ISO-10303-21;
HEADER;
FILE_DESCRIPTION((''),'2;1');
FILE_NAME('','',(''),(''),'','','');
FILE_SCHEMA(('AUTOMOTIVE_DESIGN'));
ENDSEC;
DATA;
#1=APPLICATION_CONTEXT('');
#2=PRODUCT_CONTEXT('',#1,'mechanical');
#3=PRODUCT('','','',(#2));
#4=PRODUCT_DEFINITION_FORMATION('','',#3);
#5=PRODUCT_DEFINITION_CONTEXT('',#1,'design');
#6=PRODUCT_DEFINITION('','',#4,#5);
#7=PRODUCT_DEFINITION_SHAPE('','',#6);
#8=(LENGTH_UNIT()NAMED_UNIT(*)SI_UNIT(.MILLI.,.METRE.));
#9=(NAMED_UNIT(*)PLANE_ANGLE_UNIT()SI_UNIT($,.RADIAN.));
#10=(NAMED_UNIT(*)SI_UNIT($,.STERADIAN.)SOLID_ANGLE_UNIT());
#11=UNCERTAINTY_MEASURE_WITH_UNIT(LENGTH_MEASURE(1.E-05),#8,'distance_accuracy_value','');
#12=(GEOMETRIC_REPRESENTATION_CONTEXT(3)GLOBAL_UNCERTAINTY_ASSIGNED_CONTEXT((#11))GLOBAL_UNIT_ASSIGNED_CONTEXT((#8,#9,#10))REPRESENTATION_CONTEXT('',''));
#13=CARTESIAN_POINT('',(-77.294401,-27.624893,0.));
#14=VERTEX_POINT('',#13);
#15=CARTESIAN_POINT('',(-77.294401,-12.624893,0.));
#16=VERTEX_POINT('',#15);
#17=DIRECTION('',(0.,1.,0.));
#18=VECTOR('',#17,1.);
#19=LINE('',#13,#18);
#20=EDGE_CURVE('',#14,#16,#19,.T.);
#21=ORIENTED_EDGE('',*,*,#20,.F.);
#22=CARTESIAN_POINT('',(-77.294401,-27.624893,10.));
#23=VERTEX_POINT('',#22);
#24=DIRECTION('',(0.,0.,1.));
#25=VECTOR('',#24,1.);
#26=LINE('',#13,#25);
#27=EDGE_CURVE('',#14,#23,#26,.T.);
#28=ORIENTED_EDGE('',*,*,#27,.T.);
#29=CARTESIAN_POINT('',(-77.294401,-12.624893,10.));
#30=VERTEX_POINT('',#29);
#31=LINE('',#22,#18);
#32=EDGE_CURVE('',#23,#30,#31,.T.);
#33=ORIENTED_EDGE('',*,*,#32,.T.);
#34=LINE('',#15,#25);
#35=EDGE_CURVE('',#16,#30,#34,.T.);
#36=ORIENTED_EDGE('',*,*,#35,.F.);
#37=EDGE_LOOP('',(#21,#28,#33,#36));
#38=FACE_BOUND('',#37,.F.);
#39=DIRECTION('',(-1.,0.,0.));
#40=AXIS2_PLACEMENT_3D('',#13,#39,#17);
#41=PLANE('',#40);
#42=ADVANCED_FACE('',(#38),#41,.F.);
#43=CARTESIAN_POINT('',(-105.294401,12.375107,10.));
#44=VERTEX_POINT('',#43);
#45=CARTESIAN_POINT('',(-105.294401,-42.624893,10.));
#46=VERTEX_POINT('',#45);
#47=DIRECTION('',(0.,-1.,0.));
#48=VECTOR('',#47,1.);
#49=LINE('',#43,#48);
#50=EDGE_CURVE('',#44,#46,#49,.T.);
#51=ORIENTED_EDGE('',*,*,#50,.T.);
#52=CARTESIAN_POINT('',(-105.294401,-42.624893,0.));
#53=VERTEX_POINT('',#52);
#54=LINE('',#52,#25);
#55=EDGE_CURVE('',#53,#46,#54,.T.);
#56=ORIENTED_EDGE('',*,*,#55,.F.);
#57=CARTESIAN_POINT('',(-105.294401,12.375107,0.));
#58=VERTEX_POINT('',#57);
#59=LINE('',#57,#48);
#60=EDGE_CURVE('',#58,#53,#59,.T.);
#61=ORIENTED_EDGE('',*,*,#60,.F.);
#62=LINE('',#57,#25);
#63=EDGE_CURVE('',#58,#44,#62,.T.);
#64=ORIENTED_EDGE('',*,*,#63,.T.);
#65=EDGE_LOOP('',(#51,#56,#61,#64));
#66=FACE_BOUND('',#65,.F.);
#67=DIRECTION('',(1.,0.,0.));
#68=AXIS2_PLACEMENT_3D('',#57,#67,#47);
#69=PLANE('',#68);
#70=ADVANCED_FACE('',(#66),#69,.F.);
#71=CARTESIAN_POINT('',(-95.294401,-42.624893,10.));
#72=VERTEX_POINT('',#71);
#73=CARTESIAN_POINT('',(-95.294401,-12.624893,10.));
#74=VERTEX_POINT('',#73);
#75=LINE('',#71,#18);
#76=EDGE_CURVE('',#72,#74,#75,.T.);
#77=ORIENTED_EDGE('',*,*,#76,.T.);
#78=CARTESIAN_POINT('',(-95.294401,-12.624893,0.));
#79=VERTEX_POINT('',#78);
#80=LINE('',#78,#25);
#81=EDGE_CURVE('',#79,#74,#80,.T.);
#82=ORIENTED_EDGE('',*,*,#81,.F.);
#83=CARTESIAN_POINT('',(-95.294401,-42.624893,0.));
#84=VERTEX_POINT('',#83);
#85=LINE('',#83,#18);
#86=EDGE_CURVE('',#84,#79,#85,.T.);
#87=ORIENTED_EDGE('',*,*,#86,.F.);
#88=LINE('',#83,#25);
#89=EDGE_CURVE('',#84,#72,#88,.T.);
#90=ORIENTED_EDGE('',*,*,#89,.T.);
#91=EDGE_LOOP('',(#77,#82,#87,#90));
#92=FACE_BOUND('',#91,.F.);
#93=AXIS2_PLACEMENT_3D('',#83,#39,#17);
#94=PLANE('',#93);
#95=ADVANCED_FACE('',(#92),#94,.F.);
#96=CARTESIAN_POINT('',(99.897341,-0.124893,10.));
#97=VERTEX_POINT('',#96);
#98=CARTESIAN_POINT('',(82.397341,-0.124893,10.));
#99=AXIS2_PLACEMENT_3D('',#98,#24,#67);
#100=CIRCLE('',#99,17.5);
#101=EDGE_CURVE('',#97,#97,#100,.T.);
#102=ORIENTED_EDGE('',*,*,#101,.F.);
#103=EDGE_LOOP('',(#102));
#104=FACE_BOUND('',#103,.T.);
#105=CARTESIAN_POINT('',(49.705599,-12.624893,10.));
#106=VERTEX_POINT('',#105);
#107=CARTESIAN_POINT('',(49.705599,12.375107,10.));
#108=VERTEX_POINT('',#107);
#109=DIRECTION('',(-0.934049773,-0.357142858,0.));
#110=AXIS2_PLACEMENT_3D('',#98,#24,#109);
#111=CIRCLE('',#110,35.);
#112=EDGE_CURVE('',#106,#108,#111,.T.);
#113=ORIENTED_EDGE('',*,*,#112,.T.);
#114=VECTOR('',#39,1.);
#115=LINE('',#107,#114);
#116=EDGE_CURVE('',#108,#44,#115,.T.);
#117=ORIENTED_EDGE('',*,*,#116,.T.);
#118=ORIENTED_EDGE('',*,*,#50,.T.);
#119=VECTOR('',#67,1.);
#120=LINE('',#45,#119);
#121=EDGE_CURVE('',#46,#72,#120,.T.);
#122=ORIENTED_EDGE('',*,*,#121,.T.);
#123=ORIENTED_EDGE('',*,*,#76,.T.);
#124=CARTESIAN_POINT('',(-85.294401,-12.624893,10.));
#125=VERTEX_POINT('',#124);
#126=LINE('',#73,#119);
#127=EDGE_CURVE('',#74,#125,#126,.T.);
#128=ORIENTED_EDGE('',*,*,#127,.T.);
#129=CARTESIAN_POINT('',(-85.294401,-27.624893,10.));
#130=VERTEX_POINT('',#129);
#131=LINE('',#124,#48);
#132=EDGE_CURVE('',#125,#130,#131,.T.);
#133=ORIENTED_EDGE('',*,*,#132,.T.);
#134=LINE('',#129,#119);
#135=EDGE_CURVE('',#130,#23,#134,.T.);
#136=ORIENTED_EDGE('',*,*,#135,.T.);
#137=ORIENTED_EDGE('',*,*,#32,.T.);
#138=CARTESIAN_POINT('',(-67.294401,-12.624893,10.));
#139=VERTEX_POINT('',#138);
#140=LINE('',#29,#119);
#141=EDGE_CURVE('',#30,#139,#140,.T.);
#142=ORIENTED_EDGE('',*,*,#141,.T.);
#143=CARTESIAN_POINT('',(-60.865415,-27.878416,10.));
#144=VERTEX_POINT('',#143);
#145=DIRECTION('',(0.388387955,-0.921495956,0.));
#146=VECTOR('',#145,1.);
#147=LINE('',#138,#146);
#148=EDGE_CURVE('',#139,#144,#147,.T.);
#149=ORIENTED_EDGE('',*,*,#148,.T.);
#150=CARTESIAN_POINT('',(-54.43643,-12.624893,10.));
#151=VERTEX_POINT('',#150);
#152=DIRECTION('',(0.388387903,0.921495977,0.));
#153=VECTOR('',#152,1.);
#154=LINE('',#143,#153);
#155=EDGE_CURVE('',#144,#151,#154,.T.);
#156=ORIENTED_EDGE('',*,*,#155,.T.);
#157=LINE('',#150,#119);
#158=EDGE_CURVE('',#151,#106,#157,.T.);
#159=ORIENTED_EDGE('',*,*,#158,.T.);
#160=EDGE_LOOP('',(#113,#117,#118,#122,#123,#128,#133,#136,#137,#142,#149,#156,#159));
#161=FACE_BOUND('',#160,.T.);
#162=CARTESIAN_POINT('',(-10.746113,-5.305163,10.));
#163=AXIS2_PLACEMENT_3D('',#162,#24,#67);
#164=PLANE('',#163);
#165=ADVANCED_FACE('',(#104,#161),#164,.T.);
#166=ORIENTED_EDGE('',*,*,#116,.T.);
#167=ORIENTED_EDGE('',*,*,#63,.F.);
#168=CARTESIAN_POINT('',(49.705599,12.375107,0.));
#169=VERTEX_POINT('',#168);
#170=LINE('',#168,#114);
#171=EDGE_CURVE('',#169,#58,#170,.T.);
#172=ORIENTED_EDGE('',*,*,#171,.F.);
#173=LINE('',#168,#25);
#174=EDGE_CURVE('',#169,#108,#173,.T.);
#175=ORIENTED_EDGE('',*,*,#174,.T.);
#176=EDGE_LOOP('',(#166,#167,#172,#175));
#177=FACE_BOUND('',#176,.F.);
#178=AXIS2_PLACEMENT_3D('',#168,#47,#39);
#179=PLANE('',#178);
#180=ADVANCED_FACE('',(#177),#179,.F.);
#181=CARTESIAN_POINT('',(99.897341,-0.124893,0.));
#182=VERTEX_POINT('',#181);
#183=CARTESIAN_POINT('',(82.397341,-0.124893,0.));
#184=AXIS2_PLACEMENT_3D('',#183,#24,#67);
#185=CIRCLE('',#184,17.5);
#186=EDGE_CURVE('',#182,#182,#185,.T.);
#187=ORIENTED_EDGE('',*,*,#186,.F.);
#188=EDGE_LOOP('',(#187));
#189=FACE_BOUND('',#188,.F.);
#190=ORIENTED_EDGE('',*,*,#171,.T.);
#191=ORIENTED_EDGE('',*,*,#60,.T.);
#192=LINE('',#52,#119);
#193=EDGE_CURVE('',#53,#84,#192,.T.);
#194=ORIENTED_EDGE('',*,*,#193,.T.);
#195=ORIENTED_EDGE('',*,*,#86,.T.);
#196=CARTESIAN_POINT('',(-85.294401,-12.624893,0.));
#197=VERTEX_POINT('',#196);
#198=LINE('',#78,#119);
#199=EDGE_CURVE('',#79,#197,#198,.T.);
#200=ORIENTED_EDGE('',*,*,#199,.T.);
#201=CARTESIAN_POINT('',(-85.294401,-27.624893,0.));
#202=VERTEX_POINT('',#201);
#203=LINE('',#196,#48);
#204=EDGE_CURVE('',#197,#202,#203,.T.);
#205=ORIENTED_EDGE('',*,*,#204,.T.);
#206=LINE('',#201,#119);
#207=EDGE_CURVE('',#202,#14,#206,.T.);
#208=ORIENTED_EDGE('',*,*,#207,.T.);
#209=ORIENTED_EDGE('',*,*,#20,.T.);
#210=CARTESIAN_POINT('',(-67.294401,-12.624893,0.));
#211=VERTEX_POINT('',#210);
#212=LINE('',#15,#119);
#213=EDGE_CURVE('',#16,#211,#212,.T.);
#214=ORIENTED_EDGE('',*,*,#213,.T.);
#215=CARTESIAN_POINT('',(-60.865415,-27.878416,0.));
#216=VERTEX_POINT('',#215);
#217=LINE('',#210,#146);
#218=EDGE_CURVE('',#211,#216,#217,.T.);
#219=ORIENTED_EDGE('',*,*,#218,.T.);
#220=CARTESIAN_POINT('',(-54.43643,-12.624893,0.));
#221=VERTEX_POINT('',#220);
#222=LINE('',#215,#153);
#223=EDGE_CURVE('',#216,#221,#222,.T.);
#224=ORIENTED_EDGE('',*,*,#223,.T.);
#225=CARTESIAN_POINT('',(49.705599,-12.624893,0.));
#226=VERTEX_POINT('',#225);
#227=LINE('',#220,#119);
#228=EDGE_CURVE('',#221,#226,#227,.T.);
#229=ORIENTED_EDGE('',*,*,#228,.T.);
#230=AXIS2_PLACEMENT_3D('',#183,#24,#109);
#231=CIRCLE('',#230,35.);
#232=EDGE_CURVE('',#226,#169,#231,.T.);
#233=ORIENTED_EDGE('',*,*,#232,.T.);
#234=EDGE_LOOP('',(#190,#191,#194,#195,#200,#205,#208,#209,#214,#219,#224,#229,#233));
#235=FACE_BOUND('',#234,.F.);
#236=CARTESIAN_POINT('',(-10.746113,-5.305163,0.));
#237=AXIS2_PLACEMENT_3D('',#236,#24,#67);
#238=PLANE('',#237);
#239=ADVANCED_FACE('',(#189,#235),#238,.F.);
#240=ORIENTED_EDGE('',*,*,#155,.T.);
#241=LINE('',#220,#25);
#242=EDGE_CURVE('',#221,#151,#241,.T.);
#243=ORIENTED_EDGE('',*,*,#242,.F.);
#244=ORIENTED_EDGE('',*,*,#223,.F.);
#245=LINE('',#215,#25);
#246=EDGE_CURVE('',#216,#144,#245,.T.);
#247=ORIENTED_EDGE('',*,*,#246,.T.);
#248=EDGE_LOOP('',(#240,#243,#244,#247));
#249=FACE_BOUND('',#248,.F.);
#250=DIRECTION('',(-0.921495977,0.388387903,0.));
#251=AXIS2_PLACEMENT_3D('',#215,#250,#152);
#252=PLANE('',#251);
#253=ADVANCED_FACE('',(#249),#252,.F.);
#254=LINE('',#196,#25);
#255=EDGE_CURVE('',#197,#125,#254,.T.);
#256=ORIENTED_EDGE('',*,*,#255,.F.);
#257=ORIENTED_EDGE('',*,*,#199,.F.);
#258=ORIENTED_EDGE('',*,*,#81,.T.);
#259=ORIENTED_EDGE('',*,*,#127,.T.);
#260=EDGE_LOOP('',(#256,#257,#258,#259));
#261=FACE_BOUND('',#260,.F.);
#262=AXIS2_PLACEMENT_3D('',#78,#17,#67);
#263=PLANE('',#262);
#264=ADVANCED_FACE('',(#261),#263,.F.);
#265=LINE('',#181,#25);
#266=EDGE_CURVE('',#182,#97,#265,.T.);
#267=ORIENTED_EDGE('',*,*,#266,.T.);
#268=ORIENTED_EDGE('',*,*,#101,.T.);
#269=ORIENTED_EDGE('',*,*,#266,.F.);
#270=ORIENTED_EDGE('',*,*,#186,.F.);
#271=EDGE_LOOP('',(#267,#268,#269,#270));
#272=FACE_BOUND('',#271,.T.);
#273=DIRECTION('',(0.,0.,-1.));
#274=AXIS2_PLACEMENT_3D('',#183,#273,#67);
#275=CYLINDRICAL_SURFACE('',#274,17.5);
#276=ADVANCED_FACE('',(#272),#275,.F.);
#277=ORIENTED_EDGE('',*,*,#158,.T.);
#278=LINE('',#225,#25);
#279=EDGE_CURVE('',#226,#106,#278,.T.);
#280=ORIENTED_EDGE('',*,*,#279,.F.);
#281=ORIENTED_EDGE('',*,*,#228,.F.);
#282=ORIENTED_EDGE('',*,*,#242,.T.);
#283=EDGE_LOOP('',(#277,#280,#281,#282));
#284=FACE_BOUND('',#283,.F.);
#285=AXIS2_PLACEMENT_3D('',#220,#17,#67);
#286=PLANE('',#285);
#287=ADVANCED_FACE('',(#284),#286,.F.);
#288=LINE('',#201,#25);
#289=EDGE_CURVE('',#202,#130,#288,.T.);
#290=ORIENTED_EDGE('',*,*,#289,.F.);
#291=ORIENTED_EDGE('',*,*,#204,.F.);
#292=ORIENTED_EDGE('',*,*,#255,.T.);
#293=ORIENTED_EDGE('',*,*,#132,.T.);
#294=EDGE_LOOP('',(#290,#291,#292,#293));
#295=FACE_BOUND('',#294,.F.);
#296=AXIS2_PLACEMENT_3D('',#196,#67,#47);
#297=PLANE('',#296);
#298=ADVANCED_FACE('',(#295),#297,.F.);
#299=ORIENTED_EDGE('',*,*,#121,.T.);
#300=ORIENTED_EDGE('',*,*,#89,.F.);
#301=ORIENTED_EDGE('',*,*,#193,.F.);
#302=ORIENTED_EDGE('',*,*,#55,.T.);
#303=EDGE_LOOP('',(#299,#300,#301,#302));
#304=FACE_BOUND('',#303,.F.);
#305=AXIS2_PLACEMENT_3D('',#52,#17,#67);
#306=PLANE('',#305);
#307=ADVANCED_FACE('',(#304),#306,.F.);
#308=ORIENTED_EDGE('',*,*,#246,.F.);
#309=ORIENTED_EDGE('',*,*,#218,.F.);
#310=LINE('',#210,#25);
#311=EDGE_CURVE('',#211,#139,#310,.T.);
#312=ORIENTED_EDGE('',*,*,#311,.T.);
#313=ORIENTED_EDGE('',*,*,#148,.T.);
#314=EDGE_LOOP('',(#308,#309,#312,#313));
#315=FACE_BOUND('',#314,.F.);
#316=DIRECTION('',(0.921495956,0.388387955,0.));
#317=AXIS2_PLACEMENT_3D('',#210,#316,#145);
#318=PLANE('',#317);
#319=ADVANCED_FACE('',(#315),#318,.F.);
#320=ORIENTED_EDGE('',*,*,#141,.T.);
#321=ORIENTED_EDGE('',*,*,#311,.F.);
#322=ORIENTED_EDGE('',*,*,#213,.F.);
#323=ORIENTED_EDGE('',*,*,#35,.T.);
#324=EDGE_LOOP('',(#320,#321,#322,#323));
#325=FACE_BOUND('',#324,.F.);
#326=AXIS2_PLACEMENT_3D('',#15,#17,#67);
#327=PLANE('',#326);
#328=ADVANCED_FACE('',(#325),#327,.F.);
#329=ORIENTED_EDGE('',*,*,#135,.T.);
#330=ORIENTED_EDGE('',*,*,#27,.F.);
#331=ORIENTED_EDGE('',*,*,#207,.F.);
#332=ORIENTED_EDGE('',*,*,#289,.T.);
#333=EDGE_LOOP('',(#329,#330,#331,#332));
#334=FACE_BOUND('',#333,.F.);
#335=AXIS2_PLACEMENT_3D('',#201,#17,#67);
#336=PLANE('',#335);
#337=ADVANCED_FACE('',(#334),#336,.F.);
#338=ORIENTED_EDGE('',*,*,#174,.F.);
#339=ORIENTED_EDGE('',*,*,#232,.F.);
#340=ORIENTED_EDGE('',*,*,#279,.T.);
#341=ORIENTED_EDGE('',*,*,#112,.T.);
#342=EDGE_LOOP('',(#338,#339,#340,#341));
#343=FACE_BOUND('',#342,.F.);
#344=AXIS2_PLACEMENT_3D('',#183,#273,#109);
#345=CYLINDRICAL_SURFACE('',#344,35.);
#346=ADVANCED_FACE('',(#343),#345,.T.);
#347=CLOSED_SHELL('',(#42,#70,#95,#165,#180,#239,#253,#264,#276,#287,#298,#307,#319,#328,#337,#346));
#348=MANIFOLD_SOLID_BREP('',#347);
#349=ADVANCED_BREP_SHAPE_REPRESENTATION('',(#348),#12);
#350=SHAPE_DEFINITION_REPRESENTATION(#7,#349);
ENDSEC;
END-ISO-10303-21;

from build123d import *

# Parameters (mm, degrees)
F0_R     = 17.5
F1_DEPTH = 10


with BuildPart() as f1:
    # F0 (on Top) → F1 (new body)
    with BuildSketch(Plane.XY):
        with BuildLine():
            Line((49.705599, 12.375107), (-105.294401, 12.375107))
            Line((-105.294401, 12.375107), (-105.294401, -12.624893))
            Line((-105.294401, -12.624893), (-105.294401, -42.624893))
            Line((-105.294401, -42.624893), (-95.294401, -42.624893))
            Line((-95.294401, -42.624893), (-95.294401, -12.624893))
            Line((-95.294401, -12.624893), (-85.294401, -12.624893))
            Line((-85.294401, -12.624893), (-85.294401, -27.624893))
            Line((-85.294401, -27.624893), (-77.294401, -27.624893))
            Line((-77.294401, -27.624893), (-77.294401, -12.624893))
            Line((-77.294401, -12.624893), (-67.294401, -12.624893))
            Line((-67.294401, -12.624893), (-60.865415, -27.878416))
            Line((-60.865415, -27.878416), (-54.43643, -12.624893))
            Line((-54.43643, -12.624893), (49.705599, -12.624893))
            ThreePointArc((49.705599, -12.624893), (117.397341, -0.124893), (49.705599, 12.375107))
        make_face()
        with Locations((82.397341, -0.124893)):
            Circle(F0_R, mode=Mode.SUBTRACT)
    extrude(amount=F1_DEPTH)


solid = f1.part
